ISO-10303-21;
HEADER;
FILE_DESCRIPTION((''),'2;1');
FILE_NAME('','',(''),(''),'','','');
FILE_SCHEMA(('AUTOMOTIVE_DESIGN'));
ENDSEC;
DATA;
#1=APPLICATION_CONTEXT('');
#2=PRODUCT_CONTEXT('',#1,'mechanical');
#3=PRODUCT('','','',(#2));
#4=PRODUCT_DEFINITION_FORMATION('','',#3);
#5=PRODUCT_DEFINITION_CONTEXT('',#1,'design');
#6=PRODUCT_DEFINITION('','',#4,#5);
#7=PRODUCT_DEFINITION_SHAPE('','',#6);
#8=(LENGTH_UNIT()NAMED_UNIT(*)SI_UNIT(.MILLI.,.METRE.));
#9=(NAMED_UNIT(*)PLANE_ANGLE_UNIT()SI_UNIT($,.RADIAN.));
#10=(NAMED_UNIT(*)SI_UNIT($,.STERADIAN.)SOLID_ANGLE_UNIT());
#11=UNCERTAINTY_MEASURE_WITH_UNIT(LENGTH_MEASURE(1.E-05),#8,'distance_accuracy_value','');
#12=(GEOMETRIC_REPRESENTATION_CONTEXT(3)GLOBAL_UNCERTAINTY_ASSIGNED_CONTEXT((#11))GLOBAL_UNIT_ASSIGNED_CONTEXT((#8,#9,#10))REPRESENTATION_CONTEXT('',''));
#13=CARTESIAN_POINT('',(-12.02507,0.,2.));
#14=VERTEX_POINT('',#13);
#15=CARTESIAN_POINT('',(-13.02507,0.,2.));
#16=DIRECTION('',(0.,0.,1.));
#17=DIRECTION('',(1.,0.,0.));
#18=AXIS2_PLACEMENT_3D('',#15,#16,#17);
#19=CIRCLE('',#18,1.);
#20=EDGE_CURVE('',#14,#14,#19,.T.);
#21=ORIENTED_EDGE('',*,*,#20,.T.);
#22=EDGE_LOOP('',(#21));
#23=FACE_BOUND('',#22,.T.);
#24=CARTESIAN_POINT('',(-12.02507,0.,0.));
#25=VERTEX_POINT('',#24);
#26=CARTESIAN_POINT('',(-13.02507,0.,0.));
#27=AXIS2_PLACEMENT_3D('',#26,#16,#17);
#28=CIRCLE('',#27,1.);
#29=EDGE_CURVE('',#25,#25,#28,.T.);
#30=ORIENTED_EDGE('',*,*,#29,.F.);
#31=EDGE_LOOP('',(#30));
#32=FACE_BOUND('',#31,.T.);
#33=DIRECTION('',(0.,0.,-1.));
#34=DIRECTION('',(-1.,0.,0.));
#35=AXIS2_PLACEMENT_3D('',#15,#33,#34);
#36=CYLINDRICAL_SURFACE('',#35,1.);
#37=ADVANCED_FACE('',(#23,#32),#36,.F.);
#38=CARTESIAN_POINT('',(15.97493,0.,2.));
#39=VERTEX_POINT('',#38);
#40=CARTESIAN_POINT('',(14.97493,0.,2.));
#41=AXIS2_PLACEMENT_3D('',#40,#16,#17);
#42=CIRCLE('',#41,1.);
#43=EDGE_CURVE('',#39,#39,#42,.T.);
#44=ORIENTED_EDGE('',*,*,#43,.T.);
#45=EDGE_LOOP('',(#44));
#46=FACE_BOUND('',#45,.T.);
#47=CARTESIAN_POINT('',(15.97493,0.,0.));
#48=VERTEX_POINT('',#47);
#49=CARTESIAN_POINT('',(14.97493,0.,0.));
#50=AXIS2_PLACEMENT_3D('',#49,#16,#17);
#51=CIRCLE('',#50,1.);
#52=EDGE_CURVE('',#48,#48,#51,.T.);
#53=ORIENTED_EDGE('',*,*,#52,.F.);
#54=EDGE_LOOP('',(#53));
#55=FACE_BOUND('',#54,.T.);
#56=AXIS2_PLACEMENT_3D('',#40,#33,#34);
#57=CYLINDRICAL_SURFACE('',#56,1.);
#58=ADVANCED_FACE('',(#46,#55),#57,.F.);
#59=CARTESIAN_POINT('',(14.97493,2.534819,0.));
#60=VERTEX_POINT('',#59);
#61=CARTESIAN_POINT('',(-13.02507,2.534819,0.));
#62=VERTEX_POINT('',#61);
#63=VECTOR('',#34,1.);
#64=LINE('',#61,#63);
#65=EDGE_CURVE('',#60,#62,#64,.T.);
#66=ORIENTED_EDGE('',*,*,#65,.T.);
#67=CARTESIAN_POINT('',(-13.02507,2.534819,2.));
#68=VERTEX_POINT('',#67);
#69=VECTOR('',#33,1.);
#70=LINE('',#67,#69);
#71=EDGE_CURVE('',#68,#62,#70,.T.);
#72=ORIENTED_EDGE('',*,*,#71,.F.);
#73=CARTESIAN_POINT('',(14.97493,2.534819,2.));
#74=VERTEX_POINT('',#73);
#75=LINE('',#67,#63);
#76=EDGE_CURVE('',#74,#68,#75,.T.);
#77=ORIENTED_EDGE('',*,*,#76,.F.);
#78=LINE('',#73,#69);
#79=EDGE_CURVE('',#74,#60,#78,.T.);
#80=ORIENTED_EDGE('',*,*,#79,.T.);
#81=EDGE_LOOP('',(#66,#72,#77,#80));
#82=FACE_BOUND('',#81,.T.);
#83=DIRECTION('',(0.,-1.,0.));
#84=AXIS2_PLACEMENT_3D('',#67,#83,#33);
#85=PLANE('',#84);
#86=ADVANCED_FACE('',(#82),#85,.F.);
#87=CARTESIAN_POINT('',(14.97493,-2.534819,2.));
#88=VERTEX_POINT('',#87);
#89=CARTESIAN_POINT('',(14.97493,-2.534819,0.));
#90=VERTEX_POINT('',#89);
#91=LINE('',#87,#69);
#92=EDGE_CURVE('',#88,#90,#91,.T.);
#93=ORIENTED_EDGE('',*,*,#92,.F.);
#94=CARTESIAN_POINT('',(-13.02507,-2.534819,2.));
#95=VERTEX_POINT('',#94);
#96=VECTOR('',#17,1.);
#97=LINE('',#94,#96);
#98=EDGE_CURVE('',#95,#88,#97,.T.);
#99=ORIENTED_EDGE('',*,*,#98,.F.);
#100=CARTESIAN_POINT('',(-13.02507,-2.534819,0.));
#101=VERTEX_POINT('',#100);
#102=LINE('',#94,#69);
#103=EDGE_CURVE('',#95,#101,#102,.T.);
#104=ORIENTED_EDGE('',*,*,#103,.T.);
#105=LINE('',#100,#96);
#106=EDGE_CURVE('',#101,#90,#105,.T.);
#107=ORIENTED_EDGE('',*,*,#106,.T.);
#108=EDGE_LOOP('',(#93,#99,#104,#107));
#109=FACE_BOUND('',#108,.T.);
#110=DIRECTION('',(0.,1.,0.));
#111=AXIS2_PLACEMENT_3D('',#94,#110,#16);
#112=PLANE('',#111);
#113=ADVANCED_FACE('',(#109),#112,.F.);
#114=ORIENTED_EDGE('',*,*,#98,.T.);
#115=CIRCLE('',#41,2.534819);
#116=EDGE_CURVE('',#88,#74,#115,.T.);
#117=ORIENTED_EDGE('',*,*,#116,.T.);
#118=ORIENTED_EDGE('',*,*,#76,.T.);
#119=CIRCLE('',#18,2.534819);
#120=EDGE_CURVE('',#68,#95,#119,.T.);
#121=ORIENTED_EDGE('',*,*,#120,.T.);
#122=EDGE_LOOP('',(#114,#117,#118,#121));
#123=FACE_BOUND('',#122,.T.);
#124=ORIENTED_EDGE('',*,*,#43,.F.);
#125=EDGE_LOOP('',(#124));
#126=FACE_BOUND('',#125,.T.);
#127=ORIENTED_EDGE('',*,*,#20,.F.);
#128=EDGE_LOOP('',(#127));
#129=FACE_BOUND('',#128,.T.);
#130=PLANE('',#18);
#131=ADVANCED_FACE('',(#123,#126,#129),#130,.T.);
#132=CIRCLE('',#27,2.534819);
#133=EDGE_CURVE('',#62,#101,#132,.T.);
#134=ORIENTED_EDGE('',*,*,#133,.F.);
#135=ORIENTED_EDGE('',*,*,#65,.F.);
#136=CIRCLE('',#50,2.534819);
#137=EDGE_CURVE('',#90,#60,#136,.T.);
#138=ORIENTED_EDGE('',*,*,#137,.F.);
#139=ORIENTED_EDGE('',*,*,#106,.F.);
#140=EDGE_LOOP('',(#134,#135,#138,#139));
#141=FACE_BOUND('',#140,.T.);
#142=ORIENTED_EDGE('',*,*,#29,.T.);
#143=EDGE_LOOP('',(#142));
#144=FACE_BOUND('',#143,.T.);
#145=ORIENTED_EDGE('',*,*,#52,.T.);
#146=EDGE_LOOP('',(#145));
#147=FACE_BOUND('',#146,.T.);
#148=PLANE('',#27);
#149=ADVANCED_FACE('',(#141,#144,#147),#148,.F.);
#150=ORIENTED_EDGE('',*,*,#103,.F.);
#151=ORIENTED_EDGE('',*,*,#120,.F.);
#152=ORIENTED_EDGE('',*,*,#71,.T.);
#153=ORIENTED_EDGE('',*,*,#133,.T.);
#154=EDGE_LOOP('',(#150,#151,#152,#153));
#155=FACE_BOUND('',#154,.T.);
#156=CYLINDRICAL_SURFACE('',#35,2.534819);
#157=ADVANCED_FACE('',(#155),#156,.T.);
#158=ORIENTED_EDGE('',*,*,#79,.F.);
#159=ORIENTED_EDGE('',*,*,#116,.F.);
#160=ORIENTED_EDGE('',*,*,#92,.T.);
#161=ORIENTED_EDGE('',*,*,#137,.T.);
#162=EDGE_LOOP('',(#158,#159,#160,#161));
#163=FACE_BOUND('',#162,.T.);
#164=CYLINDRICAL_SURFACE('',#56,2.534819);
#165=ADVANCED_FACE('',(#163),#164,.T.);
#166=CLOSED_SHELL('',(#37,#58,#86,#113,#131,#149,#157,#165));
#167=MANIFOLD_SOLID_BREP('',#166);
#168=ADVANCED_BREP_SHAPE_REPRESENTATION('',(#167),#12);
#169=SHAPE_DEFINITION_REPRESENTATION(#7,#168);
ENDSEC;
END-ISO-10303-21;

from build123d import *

# Parameters (mm, degrees)
SKETCH1_R           = 1
BOSS_EXTRUDE1_DEPTH = 2


with BuildPart() as part:
    # Sketch1 → Boss-Extrude1 (new body)
    with BuildSketch(Plane.XY):
        with BuildLine():
            Line((-13.025069638, 2.534818942), (14.974930362, 2.534818942))
            ThreePointArc((14.974930362, 2.534818942), (17.509749304, 0), (14.974930362, -2.534818942))
            Line((14.974930362, -2.534818942), (-13.025069638, -2.534818942))
            ThreePointArc((-13.025069638, -2.534818942), (-15.559888579, 0), (-13.025069638, 2.534818942))
        make_face()
        with Locations((14.974930362, 0)):
            Circle(SKETCH1_R, mode=Mode.SUBTRACT)
        with Locations((-13.025069638, 0)):
            Circle(SKETCH1_R, mode=Mode.SUBTRACT)
    extrude(amount=BOSS_EXTRUDE1_DEPTH)


solid = part.part
